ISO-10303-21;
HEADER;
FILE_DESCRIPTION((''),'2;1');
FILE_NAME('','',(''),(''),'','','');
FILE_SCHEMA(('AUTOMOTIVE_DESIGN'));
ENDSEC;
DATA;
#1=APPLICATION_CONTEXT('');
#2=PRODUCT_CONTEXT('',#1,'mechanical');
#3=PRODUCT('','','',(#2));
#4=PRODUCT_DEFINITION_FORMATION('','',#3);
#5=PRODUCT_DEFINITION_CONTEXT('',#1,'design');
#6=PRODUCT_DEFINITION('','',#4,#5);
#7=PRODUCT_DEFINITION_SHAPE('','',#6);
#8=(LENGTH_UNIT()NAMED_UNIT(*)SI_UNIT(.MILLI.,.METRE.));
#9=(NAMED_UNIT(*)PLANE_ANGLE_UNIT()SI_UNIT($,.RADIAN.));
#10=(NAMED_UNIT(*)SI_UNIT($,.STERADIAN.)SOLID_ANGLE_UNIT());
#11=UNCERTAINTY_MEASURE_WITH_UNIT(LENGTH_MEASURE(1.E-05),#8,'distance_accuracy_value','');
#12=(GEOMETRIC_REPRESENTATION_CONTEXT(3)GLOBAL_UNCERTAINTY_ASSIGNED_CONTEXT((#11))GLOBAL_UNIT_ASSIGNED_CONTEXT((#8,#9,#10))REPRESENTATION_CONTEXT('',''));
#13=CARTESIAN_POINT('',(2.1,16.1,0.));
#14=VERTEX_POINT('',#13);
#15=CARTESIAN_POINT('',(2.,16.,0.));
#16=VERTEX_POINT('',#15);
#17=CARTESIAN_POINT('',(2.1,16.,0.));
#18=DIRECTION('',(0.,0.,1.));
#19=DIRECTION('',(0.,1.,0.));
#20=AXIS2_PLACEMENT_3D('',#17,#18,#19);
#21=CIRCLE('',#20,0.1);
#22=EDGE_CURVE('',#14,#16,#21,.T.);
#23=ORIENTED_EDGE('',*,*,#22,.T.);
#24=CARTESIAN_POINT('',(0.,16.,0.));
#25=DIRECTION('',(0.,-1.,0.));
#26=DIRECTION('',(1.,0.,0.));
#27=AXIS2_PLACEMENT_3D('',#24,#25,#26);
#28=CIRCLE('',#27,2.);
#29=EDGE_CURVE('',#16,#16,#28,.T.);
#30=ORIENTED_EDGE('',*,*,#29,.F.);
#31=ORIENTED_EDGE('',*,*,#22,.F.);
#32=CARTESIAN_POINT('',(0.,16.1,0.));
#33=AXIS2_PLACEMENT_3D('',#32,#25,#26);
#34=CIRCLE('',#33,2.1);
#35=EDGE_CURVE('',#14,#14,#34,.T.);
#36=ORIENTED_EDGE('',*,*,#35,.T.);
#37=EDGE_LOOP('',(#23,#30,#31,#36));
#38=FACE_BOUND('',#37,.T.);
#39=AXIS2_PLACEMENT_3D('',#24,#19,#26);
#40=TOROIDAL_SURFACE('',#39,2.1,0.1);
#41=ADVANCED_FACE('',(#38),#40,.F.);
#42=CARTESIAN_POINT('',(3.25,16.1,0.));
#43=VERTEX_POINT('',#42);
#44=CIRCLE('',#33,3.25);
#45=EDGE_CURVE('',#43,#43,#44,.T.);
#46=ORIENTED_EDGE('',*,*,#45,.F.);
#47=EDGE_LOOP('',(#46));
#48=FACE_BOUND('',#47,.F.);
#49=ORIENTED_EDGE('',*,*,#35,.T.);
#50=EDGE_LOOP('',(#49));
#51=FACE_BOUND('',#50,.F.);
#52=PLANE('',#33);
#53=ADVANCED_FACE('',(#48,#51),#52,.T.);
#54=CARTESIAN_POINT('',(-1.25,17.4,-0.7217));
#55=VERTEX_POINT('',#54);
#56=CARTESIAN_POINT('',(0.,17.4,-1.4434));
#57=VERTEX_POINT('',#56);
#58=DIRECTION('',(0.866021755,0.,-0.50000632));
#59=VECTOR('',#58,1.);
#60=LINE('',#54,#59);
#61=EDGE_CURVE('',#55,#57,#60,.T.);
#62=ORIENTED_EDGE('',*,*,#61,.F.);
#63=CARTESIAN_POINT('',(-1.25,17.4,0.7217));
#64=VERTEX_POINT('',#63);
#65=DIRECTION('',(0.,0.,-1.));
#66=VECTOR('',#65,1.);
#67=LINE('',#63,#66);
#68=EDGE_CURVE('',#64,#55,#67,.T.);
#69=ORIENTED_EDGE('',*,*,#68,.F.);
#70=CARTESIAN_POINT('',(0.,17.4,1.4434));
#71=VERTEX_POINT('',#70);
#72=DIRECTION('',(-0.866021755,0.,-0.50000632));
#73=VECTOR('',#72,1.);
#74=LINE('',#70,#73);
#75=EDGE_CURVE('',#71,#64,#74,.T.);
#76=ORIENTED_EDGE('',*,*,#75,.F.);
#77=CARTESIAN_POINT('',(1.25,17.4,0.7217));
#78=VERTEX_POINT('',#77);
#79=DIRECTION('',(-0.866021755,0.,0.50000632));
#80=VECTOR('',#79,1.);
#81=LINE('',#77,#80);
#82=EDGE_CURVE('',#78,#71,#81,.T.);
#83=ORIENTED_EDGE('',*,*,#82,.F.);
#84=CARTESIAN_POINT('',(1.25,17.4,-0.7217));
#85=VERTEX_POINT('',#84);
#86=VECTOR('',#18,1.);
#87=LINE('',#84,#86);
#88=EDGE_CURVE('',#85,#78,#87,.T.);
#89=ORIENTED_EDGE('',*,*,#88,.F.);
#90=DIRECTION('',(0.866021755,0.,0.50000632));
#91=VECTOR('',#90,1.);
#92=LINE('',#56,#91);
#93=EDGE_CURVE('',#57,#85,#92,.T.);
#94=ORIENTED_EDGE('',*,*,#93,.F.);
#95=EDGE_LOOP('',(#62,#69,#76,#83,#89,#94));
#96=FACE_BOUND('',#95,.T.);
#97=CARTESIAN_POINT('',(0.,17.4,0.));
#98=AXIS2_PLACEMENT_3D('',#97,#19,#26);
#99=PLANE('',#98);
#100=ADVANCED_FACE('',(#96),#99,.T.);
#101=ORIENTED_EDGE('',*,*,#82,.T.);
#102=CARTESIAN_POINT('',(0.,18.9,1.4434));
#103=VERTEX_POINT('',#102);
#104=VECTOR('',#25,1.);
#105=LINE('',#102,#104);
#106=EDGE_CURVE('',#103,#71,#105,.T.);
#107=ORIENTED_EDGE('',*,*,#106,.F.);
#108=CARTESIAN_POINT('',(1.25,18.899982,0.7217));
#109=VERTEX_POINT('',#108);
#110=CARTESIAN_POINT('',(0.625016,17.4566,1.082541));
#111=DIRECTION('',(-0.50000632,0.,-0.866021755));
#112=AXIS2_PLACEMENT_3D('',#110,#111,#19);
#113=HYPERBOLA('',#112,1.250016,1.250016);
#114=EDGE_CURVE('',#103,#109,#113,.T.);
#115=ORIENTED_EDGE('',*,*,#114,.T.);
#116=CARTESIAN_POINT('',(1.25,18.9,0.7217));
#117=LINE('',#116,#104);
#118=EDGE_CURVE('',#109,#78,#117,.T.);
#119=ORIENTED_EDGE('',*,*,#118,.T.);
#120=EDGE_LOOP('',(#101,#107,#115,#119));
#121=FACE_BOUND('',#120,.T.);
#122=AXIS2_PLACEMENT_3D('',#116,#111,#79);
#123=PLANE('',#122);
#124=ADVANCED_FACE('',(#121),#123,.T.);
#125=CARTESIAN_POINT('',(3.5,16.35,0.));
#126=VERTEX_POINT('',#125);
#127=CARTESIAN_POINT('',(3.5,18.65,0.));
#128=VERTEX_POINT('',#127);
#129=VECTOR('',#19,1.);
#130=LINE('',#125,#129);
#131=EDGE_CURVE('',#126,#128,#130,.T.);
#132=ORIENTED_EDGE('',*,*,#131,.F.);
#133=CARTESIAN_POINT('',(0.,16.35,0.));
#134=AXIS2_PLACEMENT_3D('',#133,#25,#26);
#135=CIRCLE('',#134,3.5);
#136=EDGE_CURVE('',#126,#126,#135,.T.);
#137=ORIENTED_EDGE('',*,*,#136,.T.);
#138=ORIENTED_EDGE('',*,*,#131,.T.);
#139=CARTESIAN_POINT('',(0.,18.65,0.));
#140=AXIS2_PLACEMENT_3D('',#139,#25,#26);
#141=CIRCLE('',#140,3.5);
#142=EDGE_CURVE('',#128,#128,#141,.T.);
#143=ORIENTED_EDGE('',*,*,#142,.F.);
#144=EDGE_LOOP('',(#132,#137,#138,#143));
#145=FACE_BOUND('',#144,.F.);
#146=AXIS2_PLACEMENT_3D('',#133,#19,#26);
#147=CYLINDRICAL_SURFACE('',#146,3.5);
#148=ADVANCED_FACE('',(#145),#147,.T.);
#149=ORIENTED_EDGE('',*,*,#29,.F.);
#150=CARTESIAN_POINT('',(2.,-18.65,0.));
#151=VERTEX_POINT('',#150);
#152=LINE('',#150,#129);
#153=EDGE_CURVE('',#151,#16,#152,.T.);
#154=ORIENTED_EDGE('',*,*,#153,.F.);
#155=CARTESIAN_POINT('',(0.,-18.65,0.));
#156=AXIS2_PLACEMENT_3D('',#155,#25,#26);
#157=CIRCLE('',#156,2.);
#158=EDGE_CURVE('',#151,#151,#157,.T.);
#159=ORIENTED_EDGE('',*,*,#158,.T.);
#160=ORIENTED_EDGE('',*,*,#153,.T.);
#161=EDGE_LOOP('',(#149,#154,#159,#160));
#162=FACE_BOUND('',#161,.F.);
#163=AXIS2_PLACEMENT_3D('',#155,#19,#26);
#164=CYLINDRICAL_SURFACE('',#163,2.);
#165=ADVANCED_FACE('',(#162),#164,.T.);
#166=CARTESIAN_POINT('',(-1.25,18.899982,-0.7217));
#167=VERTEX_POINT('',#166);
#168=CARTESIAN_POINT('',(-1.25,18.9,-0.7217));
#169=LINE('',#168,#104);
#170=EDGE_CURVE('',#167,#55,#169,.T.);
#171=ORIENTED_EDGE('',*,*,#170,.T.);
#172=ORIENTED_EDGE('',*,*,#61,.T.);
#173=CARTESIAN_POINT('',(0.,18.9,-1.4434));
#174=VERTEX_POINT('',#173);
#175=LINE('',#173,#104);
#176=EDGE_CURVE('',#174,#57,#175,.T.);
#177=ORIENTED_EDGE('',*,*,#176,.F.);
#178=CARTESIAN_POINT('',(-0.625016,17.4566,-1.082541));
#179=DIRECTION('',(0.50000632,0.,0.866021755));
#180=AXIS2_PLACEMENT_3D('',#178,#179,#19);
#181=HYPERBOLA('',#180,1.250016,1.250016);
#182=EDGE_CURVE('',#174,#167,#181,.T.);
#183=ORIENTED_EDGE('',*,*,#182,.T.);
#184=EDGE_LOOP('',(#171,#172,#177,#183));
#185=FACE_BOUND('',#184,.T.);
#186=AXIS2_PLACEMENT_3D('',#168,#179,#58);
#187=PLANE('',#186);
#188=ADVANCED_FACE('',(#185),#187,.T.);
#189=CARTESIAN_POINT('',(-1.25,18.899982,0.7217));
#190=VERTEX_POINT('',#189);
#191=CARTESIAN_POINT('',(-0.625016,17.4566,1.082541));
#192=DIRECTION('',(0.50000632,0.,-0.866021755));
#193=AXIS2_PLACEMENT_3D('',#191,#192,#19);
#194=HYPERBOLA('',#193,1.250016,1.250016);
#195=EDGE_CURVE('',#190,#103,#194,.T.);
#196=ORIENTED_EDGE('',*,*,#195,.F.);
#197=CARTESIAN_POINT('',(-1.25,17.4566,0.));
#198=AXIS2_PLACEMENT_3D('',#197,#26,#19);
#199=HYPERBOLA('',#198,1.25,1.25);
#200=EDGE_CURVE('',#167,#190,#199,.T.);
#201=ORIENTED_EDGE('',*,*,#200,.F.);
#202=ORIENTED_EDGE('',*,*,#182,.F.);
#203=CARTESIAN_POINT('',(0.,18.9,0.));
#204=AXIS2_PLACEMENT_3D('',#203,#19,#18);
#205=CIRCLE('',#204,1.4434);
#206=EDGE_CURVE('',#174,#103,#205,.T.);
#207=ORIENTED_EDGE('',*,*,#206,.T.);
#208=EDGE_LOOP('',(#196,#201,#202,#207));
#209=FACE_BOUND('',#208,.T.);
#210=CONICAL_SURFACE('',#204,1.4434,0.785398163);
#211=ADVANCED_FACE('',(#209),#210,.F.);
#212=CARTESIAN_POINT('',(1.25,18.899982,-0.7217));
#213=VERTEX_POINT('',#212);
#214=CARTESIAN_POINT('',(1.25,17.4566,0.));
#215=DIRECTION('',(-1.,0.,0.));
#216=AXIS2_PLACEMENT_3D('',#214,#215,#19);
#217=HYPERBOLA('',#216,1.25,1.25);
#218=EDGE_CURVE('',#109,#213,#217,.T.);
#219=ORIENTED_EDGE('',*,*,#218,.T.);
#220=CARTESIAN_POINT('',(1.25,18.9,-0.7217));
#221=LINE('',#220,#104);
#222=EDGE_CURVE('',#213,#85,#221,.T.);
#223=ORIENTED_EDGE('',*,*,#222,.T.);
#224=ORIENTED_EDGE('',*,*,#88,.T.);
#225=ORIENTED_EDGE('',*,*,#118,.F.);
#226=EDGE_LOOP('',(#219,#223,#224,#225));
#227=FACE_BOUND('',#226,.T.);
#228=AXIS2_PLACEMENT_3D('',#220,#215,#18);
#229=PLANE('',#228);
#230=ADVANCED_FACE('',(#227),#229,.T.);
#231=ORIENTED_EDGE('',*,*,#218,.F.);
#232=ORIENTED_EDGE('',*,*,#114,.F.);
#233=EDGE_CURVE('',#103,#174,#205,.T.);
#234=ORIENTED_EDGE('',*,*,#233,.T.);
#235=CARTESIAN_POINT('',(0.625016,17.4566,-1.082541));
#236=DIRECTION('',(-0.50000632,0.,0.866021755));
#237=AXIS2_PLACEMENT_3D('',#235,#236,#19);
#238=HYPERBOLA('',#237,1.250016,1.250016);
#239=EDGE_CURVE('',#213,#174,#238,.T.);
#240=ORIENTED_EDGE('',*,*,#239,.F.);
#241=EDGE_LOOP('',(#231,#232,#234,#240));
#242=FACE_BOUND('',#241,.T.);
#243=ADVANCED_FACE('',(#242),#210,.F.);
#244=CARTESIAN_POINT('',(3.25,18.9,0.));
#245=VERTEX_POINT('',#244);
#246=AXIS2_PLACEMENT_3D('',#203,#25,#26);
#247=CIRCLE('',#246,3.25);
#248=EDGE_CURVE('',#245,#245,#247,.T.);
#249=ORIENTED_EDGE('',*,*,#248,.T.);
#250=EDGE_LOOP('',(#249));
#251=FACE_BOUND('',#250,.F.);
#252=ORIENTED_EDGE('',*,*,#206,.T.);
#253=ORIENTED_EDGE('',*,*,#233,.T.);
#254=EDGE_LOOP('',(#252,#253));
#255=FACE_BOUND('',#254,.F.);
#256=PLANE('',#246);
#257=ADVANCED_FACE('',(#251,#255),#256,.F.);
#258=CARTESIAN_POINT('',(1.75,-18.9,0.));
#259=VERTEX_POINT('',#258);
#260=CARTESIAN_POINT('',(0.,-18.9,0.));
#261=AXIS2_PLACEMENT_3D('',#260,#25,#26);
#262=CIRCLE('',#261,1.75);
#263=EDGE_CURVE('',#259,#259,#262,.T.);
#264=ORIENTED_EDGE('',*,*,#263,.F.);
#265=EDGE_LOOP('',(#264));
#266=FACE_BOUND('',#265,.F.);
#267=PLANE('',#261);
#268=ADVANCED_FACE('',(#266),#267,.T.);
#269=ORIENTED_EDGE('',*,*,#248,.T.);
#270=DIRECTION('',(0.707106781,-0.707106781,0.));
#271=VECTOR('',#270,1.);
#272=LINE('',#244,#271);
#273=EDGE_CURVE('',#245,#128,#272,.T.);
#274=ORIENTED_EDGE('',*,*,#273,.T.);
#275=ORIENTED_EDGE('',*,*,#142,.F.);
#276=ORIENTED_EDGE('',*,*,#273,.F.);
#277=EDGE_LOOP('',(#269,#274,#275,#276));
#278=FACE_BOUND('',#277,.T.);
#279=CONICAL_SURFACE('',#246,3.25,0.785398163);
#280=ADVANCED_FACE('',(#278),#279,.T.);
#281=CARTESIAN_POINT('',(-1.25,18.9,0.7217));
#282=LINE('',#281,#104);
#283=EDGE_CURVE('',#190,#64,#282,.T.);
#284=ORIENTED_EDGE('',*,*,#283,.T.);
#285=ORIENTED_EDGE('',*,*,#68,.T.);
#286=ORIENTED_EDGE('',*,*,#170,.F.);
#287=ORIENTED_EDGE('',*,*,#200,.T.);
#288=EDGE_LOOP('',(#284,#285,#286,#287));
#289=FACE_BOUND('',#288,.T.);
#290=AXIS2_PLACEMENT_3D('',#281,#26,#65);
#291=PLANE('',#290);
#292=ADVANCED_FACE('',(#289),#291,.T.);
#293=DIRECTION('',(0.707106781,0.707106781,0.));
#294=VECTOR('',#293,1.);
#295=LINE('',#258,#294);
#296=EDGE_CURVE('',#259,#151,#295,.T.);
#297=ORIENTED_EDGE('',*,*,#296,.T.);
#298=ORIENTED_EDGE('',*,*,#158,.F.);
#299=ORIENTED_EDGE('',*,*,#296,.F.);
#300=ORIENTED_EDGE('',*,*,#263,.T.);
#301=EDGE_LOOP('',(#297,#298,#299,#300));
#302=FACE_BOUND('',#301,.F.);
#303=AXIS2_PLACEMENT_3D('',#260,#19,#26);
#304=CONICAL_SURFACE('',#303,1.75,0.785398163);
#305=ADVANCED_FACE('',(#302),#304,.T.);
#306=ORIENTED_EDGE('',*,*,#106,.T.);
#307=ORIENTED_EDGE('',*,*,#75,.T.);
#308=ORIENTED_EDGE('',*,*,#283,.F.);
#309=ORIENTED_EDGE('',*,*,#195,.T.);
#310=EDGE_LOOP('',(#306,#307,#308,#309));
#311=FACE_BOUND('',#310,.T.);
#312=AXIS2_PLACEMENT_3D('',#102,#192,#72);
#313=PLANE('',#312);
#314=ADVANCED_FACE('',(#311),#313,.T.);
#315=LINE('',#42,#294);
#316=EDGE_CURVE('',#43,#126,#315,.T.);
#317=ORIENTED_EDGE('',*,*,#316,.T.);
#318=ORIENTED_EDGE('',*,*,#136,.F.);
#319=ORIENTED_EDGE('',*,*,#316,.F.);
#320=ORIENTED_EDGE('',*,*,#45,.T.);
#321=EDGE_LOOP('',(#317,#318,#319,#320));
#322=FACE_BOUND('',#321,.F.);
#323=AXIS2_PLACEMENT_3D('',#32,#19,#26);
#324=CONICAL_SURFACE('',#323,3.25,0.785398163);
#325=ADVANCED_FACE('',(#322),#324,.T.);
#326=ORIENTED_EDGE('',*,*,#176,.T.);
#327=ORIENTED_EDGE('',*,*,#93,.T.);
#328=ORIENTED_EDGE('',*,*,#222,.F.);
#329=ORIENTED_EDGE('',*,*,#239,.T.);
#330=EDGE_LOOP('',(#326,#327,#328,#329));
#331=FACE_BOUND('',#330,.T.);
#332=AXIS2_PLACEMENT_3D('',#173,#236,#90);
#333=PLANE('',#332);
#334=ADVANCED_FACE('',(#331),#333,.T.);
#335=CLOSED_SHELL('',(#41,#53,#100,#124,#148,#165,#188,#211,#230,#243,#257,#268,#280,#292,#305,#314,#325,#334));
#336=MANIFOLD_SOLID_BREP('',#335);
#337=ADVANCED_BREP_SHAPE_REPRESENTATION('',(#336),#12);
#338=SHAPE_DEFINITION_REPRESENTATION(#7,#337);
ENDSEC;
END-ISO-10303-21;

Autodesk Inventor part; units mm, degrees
ref_plane "YZ Plane" through (0, 0, 0) normal (1, 0, 0) x (0, 1, 0)
ref_plane "XZ Plane" through (0, 0, 0) normal (0, 1, 0) x (-1, 0, 0)
ref_plane "XY Plane" through (0, 0, 0) normal (0, 0, 1) x (1, 0, 0)
sketch "Sketch1" plane through (0, 0, 0) normal (0, 0, 1) x (1, 0, 0)
  line L0 (0, 18.9) -> (0, -18.9)
  line L1 (0, -18.9) -> (1.75, -18.9)
  line L2 (1.75, -18.9) -> (2, -18.65)
  line L3 (2, -18.65) -> (2, 16)
  line L4 (2.1, 16.1) -> (3.25, 16.1)
  line L5 (3.5, 16.35) -> (3.5, 18.65)
  line L6 (3.25, 18.9) -> (0, 18.9)
  arc A0 (2.1, 16.1) -> (2, 16) centre (2.1, 16) ccw
  line L7 (3.25, 18.9) -> (3.5, 18.65)
  line L8 (3.25, 16.1) -> (3.5, 16.35)
  point P0 (0, 0)
  point P1 (3.5, 16.1)
  point P2 (3.5, 18.9)
  point P3 (0, 0)
  dimension "d0" = 7
  dimension "d1" = 2.8
  dimension "d3" = 4
  dimension "d4" = 4.2
  dimension "d5" = 135
  dimension "d6" = 0.25
  dimension "d7" = 35
  dimension "d9" = 0.25
revolve "Revolution1" add sketch "Sketch1" angle 360 about axis through (0, 18.9, 0) along (0, -1, 0)
sketch "Sketch2" plane through (0, 18.9, 0) normal (0, 1, 0) x (1, 0, 0)
  line L0 (0, -1.4434) -> (-1.25, -0.7217)
  line L1 (-1.25, -0.7217) -> (-1.25, 0.7217)
  line L2 (-1.25, 0.7217) -> (0, 1.4434)
  line L3 (0, 1.4434) -> (1.25, 0.7217)
  line L4 (1.25, 0.7217) -> (1.25, -0.7217)
  line L5 (1.25, -0.7217) -> (0, -1.4434)
  point P0 (0, 0)
  point P1 (0, 0)
  dimension "d11" = 2.5
extrude "Extrusion1" cut sketch "Sketch2" against normal blind 1.5
thread "Thread1" size "M4x0.7" class "6g" standard "ANSI Metric M Profile" length 14
sketch "Sketch3" plane through (0, 0, 0) normal (1, 0, 0) x (0, 1, 0)
  line L0 (18.9, 1.4434) -> (17.9, 0.4434)
  line L1 (17.9, 0.4434) -> (18.9, 0.4434)
  line L2 (18.9, 0.4434) -> (18.9, 1.4434)
  line L3 (-1.4, 0) -> (8.4, 0) projected
  point P0 (0, 0)
  dimension "d18" = 1
revolve "Revolution2" cut sketch "Sketch3" angle 360 about axis through (0, -10, 0) along (0, 1, 0)
properties part number "Bolt_M4x0.7_35mm_LSH" material "Stainless Steel"
